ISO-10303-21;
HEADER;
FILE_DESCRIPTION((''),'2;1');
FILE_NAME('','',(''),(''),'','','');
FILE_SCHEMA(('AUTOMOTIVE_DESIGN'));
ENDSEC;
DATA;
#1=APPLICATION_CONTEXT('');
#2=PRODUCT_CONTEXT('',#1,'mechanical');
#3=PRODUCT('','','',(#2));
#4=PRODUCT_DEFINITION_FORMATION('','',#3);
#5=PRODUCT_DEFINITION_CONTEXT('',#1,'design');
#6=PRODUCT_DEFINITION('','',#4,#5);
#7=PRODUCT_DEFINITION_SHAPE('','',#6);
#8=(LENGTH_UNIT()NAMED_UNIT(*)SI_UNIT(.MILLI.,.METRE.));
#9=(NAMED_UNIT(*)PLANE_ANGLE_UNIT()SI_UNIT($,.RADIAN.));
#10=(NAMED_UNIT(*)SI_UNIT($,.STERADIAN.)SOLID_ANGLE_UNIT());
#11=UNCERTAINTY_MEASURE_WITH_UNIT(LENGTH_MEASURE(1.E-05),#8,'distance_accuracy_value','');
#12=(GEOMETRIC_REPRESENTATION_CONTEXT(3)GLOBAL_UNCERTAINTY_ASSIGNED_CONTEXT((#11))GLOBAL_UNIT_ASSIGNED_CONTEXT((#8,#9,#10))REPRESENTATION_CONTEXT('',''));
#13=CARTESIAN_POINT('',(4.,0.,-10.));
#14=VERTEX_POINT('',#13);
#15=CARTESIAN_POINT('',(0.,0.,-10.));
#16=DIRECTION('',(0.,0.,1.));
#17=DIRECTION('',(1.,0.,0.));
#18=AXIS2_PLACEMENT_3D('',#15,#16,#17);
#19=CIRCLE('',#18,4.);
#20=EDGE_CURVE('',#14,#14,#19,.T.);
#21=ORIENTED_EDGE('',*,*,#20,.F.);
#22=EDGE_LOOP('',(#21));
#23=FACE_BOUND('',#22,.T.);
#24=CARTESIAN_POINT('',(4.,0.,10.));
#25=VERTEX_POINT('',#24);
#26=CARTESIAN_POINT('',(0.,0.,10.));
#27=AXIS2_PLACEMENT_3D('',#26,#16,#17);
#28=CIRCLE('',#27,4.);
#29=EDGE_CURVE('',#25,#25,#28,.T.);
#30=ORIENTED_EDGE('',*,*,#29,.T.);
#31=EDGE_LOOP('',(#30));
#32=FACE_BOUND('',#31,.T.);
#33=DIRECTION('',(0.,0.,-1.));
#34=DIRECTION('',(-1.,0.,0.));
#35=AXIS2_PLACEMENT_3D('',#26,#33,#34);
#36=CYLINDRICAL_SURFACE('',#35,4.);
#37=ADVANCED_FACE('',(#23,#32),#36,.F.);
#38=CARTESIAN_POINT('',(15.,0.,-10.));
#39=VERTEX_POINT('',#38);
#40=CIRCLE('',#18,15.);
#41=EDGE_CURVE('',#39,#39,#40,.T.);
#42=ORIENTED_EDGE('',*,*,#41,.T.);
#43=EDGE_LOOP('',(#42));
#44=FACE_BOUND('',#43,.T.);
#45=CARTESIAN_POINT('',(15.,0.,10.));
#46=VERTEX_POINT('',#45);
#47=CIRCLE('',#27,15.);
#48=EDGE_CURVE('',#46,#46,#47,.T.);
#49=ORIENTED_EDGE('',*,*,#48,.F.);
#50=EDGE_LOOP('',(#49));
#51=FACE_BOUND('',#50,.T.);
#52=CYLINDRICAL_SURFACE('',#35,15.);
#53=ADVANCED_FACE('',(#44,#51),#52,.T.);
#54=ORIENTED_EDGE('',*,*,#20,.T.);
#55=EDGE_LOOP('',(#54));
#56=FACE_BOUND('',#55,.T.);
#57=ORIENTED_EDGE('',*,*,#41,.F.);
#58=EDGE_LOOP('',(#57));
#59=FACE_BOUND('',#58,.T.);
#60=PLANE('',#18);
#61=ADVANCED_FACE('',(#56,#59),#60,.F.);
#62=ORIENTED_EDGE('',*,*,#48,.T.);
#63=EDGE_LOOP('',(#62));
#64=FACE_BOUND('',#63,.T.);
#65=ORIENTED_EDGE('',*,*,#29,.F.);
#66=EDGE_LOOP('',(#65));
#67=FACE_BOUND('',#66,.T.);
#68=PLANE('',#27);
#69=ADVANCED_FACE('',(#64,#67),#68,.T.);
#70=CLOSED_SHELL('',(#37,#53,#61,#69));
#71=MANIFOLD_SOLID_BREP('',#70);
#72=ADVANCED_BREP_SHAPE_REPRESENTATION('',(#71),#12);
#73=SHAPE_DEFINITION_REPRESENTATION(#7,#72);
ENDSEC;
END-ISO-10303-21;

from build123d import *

# Parameters (mm, degrees)
SKETCH_1_R      = 15
SKETCH_1_R_2    = 4
EXTRUDE_1_DEPTH = 10


with BuildPart() as part:
    # 草图1 → 凸台-拉伸1 (new body, symmetric)
    with BuildSketch(Plane.XY):
        Circle(SKETCH_1_R)
        Circle(SKETCH_1_R_2, mode=Mode.SUBTRACT)
    extrude(amount=EXTRUDE_1_DEPTH, both=True)


solid = part.part
